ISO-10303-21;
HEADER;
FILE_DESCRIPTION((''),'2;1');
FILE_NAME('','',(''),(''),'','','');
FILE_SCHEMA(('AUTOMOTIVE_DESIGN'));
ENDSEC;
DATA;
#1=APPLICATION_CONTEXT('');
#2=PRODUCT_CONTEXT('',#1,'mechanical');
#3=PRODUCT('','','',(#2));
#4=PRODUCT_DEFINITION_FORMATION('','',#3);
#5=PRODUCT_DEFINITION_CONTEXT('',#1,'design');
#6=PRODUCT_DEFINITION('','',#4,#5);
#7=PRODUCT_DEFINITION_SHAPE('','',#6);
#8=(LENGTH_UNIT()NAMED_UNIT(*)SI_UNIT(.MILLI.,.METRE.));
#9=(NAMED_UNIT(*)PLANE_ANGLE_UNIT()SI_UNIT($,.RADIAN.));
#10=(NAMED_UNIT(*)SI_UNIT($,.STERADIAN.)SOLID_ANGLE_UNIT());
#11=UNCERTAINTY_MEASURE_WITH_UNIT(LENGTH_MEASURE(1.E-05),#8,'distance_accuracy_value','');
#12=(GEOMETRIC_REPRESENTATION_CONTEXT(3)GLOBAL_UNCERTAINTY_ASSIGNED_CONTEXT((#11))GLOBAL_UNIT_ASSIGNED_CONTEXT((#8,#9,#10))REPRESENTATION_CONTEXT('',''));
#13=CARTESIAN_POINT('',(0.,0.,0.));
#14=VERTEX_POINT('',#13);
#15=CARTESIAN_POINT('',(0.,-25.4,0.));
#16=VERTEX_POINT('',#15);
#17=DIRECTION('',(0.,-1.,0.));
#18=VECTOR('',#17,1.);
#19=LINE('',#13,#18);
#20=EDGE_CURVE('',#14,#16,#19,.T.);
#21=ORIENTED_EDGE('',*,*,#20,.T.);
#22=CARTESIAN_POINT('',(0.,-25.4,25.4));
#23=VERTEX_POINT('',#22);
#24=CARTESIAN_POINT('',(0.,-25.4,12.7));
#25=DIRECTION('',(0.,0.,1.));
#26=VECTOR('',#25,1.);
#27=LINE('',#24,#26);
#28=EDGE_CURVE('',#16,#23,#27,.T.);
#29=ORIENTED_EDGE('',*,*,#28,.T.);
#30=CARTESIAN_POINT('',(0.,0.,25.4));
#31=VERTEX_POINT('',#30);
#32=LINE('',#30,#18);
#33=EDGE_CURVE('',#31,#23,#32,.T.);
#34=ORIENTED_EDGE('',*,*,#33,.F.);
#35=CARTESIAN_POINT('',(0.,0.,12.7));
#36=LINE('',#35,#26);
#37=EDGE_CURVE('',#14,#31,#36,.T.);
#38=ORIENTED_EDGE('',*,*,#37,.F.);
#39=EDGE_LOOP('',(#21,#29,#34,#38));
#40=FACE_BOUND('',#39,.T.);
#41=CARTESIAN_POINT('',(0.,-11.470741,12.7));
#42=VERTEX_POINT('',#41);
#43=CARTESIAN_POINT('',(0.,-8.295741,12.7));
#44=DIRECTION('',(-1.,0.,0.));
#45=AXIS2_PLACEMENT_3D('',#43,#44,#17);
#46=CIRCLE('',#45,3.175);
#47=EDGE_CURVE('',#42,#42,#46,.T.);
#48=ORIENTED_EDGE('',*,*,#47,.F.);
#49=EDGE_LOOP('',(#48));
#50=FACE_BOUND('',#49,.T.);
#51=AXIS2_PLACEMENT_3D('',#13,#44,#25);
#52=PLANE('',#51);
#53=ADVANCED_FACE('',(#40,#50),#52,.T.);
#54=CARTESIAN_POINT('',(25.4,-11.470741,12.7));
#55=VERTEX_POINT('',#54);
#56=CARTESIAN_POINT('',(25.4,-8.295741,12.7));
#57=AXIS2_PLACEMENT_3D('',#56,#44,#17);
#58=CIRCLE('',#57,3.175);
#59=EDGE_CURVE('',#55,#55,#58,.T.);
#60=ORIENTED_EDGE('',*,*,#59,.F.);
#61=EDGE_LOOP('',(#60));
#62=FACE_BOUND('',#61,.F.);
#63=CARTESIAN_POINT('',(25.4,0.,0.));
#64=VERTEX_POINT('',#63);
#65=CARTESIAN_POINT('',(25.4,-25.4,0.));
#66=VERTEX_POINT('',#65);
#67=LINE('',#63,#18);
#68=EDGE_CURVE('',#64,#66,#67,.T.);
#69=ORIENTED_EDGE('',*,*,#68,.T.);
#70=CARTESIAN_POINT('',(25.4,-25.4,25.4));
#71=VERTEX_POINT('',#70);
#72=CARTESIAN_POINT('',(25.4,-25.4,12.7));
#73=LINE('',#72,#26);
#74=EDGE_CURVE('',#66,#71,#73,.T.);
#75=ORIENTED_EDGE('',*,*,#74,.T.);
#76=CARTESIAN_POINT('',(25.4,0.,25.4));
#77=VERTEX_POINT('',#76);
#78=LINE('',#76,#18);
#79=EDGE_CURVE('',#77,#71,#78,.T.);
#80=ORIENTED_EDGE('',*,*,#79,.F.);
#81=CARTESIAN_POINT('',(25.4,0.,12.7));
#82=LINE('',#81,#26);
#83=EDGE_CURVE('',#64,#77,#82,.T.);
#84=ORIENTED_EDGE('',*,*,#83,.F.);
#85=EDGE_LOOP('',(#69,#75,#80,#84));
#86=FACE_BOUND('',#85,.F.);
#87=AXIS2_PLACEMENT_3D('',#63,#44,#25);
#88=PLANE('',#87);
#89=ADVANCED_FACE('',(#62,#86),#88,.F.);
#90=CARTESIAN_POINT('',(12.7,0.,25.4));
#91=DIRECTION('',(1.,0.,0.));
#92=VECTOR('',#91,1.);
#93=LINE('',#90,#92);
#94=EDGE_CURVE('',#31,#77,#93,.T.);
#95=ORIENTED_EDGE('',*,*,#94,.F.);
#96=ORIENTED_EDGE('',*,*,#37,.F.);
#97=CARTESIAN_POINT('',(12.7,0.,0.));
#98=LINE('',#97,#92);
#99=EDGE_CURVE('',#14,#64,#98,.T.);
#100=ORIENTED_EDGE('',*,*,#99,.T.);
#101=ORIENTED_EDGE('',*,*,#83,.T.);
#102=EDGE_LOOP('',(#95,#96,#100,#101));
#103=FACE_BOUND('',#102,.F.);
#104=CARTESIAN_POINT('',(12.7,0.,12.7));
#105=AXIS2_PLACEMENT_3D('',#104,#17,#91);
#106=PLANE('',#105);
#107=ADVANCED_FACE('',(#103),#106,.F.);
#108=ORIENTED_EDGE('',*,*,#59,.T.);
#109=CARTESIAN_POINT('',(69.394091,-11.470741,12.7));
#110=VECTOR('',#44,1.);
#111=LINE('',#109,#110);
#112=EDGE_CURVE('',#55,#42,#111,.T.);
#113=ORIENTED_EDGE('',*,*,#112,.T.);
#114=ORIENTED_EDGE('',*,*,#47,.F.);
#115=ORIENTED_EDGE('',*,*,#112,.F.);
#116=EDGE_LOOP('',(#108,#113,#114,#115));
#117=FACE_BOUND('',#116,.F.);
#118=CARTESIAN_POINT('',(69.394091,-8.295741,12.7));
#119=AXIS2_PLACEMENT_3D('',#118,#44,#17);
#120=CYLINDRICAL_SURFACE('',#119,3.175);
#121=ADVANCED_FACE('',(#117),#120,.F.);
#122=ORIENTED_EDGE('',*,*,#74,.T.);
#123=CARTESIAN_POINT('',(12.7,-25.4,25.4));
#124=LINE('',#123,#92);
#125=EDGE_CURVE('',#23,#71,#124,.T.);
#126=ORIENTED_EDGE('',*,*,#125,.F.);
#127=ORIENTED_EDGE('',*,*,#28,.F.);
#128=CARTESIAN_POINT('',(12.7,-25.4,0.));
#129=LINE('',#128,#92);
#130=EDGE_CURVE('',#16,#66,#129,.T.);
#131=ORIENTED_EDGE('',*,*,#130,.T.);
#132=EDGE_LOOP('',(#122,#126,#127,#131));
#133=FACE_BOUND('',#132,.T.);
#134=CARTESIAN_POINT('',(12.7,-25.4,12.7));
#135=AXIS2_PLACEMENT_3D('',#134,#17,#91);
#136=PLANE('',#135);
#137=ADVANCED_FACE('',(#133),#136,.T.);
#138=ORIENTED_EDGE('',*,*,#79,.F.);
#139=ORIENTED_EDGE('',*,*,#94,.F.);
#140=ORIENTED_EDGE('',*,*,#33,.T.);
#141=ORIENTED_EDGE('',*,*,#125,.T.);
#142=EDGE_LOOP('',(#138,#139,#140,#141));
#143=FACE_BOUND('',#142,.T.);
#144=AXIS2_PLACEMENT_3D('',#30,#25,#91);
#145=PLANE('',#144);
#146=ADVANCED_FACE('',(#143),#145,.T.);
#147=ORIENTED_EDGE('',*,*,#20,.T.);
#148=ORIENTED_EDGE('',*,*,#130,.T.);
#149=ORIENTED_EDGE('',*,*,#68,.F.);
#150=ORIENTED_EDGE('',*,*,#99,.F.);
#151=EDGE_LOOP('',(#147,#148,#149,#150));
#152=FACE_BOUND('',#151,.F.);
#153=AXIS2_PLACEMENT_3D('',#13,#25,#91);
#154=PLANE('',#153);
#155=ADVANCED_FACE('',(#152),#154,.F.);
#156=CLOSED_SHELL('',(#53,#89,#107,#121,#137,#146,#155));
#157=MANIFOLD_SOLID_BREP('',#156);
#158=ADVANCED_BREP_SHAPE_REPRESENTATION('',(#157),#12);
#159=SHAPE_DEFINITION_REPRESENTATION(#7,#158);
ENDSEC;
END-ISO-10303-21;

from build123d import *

# Parameters (mm, degrees)
F0_W     = 25.4
F0_H     = 25.4
F1_DEPTH = 25.4
F3_D     = 6.35


with BuildPart() as f1:
    # F0 (on Front) → F1 (new body)
    with BuildSketch(Plane.XZ):
        with Locations((12.7, 12.7)):
            Rectangle(F0_W, F0_H)
    extrude(amount=F1_DEPTH)

    # F3 (through all)
    with Locations(Plane.YZ.offset(25.4)):
        with Locations((-8.295741, 12.7)):
            Hole(F3_D / 2)


solid = f1.part
